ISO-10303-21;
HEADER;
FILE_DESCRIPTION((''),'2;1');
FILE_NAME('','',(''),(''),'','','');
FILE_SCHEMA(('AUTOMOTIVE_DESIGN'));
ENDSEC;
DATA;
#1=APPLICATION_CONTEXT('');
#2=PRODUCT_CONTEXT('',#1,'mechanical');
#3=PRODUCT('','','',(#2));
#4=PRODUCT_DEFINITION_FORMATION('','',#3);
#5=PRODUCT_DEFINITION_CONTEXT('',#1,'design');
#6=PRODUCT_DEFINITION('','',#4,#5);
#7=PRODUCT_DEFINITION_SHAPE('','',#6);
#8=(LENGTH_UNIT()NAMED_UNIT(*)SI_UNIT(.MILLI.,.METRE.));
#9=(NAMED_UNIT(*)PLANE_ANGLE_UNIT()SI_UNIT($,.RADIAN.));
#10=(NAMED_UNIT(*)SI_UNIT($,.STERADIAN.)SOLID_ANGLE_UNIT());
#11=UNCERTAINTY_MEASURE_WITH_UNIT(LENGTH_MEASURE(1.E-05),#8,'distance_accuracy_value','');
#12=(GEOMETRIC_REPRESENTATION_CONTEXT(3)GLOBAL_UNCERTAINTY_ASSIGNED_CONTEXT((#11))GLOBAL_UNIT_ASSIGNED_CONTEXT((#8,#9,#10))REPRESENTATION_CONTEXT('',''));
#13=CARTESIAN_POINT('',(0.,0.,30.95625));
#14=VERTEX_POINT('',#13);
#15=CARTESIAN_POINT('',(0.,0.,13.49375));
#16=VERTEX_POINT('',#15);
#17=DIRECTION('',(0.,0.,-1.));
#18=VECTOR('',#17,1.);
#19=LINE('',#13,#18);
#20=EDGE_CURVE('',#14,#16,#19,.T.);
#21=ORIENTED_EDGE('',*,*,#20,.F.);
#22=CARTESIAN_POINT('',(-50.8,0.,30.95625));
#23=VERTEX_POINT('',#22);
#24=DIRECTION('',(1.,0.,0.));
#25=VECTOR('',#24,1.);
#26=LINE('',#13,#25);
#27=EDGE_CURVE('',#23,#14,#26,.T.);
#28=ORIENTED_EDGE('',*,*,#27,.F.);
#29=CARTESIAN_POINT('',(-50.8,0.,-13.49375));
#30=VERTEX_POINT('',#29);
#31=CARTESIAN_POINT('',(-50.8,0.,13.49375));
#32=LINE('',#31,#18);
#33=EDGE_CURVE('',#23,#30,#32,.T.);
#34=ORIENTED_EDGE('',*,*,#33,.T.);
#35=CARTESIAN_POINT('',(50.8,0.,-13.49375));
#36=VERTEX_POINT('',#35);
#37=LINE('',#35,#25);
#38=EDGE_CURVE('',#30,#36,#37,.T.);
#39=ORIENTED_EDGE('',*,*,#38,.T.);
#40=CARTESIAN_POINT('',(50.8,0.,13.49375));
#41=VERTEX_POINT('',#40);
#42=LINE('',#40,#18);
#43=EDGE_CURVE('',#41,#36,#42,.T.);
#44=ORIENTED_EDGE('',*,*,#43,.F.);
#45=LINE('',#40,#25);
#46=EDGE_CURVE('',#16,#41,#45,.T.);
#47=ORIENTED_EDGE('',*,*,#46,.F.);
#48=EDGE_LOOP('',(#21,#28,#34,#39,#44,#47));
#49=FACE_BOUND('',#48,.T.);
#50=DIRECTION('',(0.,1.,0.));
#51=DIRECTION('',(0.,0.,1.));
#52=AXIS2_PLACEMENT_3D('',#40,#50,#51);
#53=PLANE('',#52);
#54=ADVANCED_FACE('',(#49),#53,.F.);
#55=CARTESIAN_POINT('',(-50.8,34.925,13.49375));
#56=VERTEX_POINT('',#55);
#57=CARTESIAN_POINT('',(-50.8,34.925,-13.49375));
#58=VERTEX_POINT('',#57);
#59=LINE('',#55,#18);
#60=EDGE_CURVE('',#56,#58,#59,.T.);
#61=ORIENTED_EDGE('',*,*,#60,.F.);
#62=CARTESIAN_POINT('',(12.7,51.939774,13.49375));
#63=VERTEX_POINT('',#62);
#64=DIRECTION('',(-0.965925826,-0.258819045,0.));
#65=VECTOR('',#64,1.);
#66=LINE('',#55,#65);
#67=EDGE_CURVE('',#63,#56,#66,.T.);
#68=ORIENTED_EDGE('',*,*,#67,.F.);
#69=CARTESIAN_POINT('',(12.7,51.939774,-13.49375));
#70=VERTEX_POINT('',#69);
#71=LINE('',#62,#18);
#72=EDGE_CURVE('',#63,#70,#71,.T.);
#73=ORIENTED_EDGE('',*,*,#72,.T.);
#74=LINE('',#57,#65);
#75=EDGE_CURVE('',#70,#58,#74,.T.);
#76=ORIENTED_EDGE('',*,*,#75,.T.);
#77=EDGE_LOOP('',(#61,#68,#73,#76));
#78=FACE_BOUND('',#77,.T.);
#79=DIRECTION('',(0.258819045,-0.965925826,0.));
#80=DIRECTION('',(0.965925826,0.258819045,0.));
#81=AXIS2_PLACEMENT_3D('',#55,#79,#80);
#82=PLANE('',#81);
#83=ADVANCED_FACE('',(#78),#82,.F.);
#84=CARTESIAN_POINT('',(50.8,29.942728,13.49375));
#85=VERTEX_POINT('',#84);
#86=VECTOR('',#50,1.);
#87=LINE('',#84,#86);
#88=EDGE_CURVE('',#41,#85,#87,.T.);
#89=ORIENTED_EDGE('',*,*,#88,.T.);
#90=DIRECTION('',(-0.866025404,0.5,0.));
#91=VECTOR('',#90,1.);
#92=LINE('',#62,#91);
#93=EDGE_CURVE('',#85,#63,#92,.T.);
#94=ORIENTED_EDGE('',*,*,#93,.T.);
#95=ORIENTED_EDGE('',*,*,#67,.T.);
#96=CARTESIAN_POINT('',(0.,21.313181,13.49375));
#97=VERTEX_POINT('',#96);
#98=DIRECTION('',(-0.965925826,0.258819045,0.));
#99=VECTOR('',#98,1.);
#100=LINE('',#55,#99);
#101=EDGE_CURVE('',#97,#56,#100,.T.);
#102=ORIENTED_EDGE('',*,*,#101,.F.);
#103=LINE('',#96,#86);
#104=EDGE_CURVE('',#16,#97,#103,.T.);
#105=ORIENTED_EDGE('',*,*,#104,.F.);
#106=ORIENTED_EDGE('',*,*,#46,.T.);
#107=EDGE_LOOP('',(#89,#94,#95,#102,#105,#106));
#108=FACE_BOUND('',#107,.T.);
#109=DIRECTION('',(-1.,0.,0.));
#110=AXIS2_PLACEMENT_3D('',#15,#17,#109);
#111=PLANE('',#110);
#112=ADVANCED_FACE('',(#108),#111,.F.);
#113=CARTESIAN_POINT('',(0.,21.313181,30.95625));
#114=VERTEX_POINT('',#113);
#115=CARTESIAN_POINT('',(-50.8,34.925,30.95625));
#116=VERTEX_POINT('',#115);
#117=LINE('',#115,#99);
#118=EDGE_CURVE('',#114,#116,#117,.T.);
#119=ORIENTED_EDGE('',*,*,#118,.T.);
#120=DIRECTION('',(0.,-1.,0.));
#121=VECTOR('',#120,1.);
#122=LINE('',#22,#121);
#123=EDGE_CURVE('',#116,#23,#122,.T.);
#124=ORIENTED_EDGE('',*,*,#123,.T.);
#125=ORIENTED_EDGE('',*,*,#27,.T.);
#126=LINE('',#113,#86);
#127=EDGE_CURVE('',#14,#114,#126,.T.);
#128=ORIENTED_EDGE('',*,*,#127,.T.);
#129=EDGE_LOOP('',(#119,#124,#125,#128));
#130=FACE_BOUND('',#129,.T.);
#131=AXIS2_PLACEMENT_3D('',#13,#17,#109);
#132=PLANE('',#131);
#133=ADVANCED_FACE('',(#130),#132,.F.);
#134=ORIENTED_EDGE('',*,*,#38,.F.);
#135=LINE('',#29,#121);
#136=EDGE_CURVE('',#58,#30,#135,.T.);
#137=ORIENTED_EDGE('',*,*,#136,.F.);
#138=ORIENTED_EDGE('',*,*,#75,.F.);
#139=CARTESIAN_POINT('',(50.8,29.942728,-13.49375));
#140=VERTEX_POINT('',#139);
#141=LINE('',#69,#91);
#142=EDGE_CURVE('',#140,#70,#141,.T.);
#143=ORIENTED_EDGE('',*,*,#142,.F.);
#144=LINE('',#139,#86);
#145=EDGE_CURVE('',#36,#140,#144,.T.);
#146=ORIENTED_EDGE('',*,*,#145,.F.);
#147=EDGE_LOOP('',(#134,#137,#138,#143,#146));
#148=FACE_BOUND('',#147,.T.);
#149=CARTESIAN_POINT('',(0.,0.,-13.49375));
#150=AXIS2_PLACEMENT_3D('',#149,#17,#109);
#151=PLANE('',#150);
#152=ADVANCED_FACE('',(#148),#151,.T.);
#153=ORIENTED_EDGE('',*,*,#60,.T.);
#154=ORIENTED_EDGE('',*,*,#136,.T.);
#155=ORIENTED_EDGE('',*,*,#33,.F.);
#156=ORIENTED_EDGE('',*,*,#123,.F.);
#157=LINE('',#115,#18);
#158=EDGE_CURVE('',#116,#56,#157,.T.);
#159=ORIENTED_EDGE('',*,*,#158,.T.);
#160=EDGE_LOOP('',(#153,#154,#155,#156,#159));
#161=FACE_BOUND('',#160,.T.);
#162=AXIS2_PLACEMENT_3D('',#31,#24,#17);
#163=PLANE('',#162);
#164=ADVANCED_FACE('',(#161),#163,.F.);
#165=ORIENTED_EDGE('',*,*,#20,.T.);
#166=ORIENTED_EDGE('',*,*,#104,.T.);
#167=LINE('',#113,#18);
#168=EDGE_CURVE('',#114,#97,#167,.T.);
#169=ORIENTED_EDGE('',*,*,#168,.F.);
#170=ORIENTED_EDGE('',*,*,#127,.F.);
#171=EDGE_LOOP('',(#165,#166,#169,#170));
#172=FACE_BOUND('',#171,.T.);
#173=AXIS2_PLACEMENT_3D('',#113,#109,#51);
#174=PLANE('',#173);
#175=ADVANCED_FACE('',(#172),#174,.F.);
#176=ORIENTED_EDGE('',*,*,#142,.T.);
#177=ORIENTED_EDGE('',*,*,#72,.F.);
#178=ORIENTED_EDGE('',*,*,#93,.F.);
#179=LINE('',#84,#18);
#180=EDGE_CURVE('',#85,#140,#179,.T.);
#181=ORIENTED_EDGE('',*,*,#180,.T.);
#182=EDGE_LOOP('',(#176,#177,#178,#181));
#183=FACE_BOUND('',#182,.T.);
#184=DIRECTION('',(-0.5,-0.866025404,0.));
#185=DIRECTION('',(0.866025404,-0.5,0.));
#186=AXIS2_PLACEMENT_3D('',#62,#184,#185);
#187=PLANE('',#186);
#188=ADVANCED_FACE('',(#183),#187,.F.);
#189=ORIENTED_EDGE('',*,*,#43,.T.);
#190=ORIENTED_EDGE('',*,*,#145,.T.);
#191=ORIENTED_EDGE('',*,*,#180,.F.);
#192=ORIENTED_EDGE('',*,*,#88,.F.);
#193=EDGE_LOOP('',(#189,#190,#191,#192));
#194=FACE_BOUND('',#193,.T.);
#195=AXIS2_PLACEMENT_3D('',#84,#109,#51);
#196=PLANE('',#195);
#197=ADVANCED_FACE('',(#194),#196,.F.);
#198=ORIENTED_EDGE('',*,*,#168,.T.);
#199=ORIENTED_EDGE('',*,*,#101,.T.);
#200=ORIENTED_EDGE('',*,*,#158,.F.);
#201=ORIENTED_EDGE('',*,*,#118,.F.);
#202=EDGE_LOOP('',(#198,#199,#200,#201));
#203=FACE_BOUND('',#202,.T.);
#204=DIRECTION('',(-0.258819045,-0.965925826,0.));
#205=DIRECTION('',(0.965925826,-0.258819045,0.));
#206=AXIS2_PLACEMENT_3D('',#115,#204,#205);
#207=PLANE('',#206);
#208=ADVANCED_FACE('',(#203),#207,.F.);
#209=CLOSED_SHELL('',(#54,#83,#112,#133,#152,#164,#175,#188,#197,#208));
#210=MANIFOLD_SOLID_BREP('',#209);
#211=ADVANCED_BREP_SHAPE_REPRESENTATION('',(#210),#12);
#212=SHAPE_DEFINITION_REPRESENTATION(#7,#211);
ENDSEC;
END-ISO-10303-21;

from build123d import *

# Parameters (mm, degrees)
BOSS_EXTRUDE1_DEPTH = 13.49375
BOSS_EXTRUDE2_DEPTH = 17.4625


with BuildPart() as part:
    # Sketch1 → Boss-Extrude1 (new body, symmetric)
    with BuildSketch(Plane.XY):
        Polygon((50.8, 0), (-50.8, 0), (-50.8, 34.925), (12.7, 51.939773719), (50.8, 29.942728463), align=None)
    extrude(amount=BOSS_EXTRUDE1_DEPTH, both=True)

    # Sketch2 → Boss-Extrude2 (add)
    with BuildSketch(Plane.XY.offset(13.49375)):
        Polygon((-50.8, 0), (-50.8, 34.925), (0, 21.313181024), (0, 0), align=None)
    extrude(amount=BOSS_EXTRUDE2_DEPTH)


solid = part.part
